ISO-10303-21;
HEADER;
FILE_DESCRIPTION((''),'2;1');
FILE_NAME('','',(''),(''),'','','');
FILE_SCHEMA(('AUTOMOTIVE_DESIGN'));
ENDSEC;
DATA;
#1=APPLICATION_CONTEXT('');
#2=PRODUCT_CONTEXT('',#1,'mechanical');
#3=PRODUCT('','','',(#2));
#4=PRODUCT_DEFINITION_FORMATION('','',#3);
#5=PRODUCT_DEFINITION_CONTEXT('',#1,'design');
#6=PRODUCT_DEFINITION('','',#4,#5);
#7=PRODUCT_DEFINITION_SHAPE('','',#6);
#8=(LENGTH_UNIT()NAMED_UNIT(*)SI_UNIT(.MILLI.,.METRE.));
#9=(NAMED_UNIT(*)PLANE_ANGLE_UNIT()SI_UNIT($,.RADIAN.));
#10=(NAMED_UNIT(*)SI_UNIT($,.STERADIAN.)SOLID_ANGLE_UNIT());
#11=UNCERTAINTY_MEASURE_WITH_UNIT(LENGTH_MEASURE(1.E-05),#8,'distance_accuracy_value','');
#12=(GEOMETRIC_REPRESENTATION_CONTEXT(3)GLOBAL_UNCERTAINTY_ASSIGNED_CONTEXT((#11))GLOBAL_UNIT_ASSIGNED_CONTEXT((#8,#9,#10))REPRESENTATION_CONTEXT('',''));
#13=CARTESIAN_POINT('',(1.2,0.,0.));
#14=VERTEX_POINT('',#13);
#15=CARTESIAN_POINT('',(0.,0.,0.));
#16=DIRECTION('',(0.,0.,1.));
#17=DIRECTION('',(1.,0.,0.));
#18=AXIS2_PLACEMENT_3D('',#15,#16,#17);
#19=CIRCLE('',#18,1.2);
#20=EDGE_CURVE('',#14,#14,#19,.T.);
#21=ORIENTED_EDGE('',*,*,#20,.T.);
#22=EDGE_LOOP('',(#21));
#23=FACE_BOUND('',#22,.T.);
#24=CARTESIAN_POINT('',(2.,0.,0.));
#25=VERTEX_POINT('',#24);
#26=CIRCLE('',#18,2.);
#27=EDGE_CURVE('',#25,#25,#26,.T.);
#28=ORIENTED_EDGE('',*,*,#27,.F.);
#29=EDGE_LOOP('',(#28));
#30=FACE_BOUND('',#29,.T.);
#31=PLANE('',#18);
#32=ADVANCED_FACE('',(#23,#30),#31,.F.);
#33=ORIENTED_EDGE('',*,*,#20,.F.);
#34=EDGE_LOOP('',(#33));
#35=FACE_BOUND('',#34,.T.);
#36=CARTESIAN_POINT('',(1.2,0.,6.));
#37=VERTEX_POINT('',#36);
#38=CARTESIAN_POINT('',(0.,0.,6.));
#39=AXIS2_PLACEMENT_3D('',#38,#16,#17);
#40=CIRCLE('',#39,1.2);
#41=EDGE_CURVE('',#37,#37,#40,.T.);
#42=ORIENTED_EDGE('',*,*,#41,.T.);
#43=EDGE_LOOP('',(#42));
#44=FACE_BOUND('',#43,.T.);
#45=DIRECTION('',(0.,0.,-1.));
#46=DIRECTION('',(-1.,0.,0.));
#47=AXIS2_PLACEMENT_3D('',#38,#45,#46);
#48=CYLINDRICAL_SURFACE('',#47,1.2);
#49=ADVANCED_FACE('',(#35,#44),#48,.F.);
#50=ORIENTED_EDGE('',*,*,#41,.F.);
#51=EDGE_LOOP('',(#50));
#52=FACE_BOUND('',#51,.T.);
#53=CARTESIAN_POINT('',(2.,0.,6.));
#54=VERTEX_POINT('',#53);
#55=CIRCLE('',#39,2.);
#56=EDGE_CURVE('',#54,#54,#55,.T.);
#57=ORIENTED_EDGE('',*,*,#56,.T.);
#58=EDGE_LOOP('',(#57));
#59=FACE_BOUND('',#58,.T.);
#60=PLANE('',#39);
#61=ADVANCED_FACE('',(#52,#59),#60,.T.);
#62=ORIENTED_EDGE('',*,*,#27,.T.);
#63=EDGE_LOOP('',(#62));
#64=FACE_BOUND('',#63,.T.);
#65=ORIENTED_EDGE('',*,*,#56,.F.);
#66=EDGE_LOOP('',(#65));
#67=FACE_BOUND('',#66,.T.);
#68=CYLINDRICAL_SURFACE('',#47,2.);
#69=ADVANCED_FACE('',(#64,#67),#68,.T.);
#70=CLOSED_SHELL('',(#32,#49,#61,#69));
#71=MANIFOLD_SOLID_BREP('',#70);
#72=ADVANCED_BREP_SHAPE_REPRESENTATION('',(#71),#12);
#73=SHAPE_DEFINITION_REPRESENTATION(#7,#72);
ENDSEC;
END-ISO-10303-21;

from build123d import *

# Parameters (mm, degrees)
ESQUISSE1_R        = 2
ESQUISSE1_R_2      = 1.2
BOSS_EXTRU_1_DEPTH = 6


with BuildPart() as part:
    # Esquisse1 → Boss.-Extru.1 (new body)
    with BuildSketch(Plane.XY):
        Circle(ESQUISSE1_R)
        Circle(ESQUISSE1_R_2, mode=Mode.SUBTRACT)
    extrude(amount=BOSS_EXTRU_1_DEPTH)


solid = part.part
